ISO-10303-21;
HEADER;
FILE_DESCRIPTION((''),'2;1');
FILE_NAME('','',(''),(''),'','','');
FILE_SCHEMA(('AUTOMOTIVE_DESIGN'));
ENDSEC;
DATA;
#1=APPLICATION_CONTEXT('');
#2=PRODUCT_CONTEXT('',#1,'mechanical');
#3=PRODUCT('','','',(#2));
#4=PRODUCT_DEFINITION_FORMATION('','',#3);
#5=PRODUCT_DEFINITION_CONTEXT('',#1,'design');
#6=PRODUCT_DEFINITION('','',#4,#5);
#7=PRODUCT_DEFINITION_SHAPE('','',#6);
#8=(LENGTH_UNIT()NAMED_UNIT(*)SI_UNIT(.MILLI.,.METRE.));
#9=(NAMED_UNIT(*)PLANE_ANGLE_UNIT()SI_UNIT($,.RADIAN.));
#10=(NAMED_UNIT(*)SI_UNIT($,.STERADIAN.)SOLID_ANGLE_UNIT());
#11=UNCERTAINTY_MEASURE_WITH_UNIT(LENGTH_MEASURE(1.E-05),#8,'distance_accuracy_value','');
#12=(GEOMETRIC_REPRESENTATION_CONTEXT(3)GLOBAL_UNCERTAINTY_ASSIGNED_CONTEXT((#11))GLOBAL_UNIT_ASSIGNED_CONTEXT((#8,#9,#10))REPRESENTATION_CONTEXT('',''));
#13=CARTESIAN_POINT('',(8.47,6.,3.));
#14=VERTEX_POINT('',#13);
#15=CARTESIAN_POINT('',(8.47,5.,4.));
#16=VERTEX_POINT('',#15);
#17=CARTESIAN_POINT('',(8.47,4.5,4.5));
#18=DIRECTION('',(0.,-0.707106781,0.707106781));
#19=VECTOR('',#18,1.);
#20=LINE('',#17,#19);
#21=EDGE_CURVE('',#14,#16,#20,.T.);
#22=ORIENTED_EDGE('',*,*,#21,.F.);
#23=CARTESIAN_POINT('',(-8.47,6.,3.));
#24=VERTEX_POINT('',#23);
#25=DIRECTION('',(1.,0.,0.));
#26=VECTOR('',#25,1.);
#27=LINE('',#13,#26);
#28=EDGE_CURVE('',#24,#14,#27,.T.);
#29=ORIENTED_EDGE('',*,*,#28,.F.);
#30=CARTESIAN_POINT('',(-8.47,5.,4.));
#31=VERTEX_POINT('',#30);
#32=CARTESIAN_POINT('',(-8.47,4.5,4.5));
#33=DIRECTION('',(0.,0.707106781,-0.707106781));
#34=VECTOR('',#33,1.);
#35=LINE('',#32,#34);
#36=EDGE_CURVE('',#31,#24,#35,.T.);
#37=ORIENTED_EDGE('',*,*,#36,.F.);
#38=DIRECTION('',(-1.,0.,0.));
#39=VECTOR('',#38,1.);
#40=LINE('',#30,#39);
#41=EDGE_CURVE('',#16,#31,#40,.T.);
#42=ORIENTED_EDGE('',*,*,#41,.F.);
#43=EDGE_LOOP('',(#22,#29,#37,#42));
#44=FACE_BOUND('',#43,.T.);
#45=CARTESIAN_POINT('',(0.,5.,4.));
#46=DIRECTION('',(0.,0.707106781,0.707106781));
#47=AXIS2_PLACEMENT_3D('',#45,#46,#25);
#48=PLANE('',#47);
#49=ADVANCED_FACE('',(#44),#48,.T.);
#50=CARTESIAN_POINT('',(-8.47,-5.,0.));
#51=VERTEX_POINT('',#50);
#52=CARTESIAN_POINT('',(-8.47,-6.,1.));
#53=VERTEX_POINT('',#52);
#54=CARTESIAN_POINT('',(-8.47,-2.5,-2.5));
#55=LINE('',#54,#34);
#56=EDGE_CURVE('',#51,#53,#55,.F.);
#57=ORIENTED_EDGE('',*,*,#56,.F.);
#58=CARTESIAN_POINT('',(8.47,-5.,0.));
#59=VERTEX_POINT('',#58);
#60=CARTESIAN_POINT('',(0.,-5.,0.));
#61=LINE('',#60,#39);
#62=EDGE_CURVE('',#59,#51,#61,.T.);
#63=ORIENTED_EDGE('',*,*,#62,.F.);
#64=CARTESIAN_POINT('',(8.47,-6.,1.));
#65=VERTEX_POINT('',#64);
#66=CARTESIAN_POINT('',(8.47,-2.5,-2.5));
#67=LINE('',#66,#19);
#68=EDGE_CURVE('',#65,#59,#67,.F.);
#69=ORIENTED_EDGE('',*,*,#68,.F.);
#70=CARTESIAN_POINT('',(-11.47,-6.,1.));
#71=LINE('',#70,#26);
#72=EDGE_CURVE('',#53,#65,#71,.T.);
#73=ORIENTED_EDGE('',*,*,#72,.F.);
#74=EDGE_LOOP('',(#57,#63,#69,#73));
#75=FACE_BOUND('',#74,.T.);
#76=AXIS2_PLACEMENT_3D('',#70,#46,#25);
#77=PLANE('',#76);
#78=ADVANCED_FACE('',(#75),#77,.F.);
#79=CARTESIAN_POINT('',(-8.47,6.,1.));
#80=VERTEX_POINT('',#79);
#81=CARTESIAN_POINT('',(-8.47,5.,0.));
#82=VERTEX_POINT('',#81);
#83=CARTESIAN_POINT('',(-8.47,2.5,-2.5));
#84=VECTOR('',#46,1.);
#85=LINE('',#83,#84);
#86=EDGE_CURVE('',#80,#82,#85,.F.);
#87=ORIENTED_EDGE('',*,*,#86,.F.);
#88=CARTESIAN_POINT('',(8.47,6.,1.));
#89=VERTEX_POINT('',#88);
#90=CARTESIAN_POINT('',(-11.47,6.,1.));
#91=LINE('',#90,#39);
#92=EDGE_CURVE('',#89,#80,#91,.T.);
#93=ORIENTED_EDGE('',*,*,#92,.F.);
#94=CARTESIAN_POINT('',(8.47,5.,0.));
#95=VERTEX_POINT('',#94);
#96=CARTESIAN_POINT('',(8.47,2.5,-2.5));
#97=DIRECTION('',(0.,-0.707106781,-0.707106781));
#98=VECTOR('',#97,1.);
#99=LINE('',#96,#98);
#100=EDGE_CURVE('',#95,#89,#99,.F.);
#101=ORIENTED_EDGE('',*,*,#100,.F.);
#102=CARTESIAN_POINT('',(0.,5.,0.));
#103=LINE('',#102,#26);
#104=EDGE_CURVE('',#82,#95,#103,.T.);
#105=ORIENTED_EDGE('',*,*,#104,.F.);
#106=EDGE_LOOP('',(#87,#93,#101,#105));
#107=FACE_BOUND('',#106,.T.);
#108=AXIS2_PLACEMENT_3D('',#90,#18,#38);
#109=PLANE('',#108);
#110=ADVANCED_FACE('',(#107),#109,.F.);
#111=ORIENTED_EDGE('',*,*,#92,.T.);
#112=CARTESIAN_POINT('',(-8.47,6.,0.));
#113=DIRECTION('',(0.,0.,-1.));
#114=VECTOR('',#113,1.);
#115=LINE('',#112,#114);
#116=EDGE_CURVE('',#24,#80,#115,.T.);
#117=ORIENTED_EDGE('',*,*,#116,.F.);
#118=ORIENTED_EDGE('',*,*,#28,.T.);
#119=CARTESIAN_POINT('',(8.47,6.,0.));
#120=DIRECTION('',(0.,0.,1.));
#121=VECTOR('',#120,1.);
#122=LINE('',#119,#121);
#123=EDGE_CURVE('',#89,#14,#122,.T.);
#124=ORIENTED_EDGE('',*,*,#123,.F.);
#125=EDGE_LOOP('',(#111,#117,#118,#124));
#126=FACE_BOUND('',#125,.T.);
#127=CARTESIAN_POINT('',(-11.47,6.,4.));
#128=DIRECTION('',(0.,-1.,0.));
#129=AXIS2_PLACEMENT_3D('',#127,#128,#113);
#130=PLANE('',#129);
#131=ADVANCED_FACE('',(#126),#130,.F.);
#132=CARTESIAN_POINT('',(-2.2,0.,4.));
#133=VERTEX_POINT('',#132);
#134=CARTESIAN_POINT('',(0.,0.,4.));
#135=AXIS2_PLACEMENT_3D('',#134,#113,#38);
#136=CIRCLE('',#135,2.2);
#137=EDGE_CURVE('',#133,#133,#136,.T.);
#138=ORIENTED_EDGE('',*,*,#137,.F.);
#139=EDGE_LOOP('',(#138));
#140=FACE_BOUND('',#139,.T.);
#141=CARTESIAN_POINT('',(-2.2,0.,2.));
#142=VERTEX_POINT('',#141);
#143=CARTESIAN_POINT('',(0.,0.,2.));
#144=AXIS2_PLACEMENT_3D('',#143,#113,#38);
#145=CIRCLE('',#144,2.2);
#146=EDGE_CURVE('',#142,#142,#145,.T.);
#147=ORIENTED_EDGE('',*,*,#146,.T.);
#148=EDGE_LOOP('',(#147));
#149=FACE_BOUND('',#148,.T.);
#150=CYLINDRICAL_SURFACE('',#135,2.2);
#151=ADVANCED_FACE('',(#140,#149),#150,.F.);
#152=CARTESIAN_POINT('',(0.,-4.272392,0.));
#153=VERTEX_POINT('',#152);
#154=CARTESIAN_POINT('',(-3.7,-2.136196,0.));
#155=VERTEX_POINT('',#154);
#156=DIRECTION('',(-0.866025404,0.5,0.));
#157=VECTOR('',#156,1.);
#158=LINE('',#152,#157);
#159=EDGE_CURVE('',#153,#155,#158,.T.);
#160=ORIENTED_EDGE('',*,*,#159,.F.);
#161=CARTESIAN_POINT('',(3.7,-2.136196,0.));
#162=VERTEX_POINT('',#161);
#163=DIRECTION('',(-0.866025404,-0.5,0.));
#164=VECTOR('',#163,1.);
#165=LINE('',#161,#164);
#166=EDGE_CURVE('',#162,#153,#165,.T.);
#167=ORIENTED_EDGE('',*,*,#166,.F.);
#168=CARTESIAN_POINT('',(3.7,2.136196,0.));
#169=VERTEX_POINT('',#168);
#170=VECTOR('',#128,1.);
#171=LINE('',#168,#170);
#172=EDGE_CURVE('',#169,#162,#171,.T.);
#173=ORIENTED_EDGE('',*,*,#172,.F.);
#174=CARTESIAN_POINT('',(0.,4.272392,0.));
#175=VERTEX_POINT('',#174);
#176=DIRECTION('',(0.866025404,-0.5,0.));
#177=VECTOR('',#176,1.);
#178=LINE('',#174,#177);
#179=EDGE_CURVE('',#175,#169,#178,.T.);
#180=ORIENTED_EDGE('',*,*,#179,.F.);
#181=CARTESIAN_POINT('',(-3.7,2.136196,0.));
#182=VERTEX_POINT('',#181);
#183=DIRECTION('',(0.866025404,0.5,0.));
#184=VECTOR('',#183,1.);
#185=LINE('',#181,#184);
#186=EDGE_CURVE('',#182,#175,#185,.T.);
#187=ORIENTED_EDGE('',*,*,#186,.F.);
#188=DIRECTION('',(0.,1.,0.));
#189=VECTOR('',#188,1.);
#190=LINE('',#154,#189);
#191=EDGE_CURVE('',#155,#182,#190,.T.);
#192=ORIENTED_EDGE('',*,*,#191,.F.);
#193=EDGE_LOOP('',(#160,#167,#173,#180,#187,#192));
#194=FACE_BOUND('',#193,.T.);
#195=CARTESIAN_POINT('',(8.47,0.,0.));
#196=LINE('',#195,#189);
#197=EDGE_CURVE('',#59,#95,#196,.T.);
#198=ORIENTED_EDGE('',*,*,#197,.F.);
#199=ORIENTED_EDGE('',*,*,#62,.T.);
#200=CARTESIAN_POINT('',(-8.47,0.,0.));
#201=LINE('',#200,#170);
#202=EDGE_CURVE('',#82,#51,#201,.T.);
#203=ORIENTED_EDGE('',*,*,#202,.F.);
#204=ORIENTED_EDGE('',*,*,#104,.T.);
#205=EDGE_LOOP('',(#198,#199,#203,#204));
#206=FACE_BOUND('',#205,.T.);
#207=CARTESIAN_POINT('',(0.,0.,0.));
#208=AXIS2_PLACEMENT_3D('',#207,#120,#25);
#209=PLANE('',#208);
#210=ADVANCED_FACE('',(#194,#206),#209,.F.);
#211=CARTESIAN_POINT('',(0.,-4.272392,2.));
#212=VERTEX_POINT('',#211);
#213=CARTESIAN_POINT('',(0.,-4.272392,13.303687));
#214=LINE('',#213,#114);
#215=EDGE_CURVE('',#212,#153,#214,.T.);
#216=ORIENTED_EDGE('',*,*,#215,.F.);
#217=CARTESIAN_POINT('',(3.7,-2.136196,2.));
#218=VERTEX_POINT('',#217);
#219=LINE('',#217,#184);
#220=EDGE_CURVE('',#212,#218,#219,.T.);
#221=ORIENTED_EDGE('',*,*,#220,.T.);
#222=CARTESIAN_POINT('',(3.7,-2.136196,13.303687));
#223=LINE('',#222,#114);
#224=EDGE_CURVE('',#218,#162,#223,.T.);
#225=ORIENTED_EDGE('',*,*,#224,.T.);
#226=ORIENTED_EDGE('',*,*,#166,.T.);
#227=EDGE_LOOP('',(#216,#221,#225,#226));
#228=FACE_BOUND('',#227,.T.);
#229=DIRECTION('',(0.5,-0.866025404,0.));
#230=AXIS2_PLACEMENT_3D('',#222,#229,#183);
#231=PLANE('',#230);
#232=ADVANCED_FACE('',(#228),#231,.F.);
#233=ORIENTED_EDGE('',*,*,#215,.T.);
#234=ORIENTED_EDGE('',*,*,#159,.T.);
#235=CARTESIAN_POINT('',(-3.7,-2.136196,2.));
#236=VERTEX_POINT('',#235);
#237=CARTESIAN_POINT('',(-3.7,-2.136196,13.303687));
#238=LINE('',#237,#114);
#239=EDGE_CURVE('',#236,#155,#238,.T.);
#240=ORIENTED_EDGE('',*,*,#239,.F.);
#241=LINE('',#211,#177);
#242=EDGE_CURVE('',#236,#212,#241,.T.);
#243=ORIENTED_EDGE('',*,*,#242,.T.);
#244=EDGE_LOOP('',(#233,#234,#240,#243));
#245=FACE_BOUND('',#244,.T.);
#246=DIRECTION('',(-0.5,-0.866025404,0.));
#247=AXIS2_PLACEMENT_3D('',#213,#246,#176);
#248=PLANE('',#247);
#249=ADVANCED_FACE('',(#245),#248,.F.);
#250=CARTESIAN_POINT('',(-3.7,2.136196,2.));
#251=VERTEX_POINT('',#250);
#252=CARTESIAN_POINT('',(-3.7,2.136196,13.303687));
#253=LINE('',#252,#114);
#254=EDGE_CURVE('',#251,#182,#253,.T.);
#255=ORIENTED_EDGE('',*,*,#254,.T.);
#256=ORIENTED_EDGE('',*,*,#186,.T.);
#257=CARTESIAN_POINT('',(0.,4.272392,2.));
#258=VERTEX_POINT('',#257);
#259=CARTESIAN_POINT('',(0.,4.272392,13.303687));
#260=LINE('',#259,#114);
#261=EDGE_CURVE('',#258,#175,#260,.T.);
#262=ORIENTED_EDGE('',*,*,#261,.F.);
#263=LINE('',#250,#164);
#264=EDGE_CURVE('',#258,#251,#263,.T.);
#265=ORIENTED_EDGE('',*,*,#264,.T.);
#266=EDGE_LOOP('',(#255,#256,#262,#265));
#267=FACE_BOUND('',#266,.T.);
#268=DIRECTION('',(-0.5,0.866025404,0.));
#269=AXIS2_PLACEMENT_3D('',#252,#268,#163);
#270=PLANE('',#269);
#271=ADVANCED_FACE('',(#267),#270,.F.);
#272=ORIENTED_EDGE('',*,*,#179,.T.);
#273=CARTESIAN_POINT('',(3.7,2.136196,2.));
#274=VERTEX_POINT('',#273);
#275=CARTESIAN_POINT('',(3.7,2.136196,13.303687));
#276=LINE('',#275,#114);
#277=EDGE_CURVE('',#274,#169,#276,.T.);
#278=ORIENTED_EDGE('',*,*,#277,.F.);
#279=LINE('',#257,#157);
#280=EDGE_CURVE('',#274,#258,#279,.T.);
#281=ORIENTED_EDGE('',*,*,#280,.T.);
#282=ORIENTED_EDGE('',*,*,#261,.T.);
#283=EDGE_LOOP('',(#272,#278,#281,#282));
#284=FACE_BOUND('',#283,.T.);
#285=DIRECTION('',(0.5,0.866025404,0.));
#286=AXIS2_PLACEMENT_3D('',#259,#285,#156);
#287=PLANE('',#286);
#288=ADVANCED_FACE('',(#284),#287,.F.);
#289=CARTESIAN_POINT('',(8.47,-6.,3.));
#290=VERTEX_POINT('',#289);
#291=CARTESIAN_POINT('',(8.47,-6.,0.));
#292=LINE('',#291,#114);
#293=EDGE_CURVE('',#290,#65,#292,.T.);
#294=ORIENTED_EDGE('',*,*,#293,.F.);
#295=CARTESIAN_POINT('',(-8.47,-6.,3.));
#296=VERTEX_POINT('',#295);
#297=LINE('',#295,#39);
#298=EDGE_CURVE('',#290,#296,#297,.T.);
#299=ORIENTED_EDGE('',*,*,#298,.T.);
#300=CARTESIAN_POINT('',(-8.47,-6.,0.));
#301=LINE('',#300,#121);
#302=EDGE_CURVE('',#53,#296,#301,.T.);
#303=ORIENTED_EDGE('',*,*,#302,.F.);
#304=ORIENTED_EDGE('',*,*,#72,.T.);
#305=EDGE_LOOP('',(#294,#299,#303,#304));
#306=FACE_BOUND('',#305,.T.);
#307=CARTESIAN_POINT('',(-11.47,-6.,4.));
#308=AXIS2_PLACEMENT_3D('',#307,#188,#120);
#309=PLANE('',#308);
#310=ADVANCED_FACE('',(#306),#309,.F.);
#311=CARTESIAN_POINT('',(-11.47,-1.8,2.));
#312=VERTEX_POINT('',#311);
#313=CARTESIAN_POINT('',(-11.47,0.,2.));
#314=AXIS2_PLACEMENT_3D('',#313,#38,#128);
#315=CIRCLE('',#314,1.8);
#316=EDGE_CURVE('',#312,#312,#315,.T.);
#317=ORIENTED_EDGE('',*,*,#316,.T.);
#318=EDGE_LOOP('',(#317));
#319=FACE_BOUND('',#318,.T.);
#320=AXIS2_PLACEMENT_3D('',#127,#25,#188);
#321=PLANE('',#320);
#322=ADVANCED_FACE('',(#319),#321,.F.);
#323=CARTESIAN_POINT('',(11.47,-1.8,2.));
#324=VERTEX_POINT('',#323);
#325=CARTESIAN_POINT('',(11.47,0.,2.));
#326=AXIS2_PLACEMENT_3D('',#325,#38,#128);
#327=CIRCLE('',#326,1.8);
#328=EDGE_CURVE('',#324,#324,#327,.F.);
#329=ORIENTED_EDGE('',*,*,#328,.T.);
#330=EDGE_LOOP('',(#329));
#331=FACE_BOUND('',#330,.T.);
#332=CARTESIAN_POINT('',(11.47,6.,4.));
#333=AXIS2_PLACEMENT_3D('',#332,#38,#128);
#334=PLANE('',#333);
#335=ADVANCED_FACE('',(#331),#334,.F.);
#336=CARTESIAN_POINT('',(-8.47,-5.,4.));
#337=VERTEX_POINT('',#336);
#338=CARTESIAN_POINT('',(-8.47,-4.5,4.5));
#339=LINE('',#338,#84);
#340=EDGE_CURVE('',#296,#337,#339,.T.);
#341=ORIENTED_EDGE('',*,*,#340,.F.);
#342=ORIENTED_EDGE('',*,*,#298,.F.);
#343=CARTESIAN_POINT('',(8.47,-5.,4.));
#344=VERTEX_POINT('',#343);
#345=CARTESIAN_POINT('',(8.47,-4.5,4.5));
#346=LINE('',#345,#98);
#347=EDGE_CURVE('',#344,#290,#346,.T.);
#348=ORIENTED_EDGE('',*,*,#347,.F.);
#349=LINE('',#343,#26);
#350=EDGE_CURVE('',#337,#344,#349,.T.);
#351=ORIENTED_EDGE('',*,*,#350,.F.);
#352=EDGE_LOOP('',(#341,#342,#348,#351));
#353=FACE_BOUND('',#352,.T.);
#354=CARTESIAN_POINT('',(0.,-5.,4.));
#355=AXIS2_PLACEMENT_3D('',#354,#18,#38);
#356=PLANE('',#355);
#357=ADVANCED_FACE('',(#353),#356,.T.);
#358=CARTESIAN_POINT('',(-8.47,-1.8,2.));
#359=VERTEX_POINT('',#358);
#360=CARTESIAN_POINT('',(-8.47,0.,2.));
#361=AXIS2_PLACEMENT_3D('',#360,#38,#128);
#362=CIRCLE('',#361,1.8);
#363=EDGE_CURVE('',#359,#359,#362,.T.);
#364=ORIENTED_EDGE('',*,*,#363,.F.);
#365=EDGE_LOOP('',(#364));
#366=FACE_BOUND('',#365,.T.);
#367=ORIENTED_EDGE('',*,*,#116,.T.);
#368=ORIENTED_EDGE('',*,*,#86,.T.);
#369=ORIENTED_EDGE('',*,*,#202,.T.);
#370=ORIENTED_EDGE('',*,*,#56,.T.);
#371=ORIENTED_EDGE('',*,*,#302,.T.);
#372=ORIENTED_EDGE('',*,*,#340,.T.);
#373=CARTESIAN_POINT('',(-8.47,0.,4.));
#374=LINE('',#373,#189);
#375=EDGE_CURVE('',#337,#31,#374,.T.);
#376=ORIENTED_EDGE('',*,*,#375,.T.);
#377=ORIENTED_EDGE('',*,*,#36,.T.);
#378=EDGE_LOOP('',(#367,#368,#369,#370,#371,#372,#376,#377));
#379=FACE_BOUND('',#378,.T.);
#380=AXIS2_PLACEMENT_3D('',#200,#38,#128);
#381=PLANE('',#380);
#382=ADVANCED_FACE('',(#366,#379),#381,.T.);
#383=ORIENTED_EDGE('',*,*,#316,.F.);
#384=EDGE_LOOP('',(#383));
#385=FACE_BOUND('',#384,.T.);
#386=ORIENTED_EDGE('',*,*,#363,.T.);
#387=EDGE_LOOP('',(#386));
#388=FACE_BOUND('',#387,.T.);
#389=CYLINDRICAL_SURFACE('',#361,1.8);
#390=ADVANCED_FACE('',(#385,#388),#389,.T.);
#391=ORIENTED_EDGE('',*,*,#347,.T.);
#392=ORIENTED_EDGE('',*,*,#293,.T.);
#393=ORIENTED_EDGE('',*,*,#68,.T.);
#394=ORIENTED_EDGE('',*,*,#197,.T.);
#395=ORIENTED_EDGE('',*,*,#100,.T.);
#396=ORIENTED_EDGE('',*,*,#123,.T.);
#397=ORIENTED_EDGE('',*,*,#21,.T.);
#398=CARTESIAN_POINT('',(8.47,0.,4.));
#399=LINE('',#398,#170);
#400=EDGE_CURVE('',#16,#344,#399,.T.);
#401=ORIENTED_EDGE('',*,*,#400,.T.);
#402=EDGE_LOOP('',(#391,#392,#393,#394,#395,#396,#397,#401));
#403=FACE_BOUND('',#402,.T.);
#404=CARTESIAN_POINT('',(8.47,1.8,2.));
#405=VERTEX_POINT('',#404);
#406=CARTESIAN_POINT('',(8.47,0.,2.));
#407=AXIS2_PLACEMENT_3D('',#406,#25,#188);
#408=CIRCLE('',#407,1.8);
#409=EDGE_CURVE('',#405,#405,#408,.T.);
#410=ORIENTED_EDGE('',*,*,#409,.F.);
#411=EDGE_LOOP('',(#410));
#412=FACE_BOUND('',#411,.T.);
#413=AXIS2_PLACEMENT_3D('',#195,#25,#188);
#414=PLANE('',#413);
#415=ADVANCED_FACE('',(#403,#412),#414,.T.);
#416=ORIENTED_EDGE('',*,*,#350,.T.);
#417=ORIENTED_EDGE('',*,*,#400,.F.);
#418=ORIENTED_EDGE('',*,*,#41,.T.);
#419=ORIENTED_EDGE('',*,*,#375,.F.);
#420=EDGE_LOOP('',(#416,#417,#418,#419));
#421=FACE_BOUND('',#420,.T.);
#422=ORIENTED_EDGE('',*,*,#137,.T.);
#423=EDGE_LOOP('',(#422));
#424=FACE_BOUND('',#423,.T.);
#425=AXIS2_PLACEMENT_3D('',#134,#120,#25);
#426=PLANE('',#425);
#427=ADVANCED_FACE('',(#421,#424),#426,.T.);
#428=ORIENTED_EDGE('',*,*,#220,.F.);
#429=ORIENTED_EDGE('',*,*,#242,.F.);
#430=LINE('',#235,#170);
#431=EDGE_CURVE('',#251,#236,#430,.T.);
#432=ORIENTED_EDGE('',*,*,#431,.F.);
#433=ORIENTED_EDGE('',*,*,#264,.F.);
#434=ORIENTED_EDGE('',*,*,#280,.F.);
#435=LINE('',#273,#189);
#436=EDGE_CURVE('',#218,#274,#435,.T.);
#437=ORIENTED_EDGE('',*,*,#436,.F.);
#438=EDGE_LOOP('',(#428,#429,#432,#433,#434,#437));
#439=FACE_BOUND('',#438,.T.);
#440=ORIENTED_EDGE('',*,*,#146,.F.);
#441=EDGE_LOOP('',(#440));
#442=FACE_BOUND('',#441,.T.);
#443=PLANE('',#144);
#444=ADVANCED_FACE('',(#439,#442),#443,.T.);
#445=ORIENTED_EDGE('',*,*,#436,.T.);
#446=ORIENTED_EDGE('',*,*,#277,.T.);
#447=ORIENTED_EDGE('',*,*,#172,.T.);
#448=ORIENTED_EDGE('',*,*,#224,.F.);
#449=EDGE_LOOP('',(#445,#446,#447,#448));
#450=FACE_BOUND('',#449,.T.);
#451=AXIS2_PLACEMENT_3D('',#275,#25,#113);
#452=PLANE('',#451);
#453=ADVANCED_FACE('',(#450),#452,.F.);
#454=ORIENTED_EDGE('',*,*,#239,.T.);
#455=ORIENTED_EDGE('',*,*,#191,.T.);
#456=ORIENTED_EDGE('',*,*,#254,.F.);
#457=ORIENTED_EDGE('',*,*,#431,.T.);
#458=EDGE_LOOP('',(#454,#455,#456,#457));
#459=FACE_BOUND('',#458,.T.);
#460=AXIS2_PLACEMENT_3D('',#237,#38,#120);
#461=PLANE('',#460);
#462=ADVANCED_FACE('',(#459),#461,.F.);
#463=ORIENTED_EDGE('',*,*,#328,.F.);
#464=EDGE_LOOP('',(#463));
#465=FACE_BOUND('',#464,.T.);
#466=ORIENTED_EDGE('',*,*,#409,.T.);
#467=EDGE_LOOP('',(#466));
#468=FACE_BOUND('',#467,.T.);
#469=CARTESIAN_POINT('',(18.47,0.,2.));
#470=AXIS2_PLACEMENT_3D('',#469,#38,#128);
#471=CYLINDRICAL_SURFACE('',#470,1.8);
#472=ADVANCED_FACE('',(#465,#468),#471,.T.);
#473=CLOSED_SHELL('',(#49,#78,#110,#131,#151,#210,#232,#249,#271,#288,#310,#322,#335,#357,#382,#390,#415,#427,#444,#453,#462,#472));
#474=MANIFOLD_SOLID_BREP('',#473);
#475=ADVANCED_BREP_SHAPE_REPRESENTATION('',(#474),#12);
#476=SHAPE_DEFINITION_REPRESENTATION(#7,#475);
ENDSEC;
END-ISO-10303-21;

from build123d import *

# Parameters (mm, degrees)
SKETCH_1_W          = 22.94
SKETCH_1_H          = 12
EXTRUDE_1_DEPTH     = 4
CUT_EXTRUDE_1_DEPTH = 3
CUT_EXTRUDE_START   = -3
CUT_EXTRUDE_2_DEPTH = 3
CUT_EXTRUDE_4_DEPTH = 2
SKETCH_6_R          = 2
CUT_EXTRUDE_5_DEPTH = 14.548464858
CHAMFER_1_SIZE      = 1
CHAMFER_2_SIZE      = 1
CUT_EXTRUDE_START_2 = 10
SKETCH_7_R          = 2
SKETCH_7_R_2        = 1.8
CUT_EXTRUDE_6_DEPTH = 10
SKETCH_8_R          = 2
SKETCH_8_R_2        = 1.8
CUT_EXTRUDE_7_DEPTH = 3
SKETCH_9_R          = 2.2
CUT_EXTRUDE_8_DEPTH = 14.548464858
CUT_EXTRUDE_9_DEPTH = 2


with BuildPart() as part:
    # Эскиз1 → Бобышка-Вытянуть1 (new body)
    with BuildSketch(Plane.XY):
        Rectangle(SKETCH_1_W, SKETCH_1_H)
    extrude(amount=EXTRUDE_1_DEPTH)

    # Эскиз3 → Вырез-Вытянуть1 (cut)
    with BuildSketch(Plane(origin=(11.47, 0, 0), x_dir=(0, 0, -1), z_dir=(1, 0, 0))):
        with BuildLine():
            ThreePointArc((-4, 0), (-2, 2), (0, 0))
            Line((0, 0), (0, 6))
            Line((0, 6), (-4, 6))
            Line((-4, 6), (-4, 0))
        make_face()
        with BuildLine():
            Line((-4, -6), (0, -6))
            Line((0, -6), (0, 0))
            ThreePointArc((0, 0), (-2, -2), (-4, 0))
            Line((-4, 0), (-4, -6))
        make_face()
    extrude(amount=-CUT_EXTRUDE_1_DEPTH, mode=Mode.SUBTRACT)

    # Эскиз4 → Вырез-Вытянуть2 (cut)
    with BuildSketch(Plane.ZY.offset(11.47).offset(CUT_EXTRUDE_START)):
        with BuildLine():
            Line((4, 6), (0, 6))
            Line((0, 6), (0, 0))
            ThreePointArc((0, 0), (2, 2), (4, 0))
            Line((4, 0), (4, 6))
        make_face()
        with BuildLine():
            ThreePointArc((4, 0), (2, -2), (0, 0))
            Line((0, 0), (0, -6))
            Line((0, -6), (4, -6))
            Line((4, -6), (4, 0))
        make_face()
    extrude(amount=CUT_EXTRUDE_2_DEPTH, mode=Mode.SUBTRACT)

    # Эскиз5 → Вырез-Вытянуть4 (cut)
    with BuildSketch(Plane(origin=(0, 0, 0), x_dir=(-1, 0, 0), z_dir=(0, 0, -1))):
        Polygon((0, -4.041451884), (3.5, -2.020725942), (3.5, 2.020725942), (0, 4.041451884), (-3.5, 2.020725942), (-3.5, -2.020725942), align=None)
    extrude(amount=-CUT_EXTRUDE_4_DEPTH, mode=Mode.SUBTRACT)

    # Эскиз6 → Вырез-Вытянуть5 (cut, through all)
    with BuildSketch(Plane(origin=(0, 0, 0), x_dir=(-1, 0, 0), z_dir=(0, 0, -1))):
        Circle(SKETCH_6_R)
    extrude(amount=-CUT_EXTRUDE_5_DEPTH, mode=Mode.SUBTRACT)

    # Фаска1
    chamfer_1_edges = [part.edges().sort_by_distance(p)[0] for p in [
        (0, 6, 0),
    ]]
    chamfer(chamfer_1_edges, length=CHAMFER_1_SIZE)

    # Фаска2
    chamfer_2_edges = [part.edges().sort_by_distance(p)[0] for p in [
        (0, 6, 4),
        (0, -6, 4),
        (0, -6, 0),
    ]]
    chamfer(chamfer_2_edges, length=CHAMFER_2_SIZE)

    # Эскиз7 → Вырез-Вытянуть6 (cut)
    with BuildSketch(Plane(origin=(8.47, 0, 0), x_dir=(0, 0, -1), z_dir=(1, 0, 0)).offset(CUT_EXTRUDE_START_2)):
        with Locations(Location((-2, 0, 0), (0, 0, 270))):
            Circle(SKETCH_7_R)
        with Locations(Location((-2, 0, 0), (0, 0, 270))):
            Circle(SKETCH_7_R_2, mode=Mode.SUBTRACT)
    extrude(amount=-CUT_EXTRUDE_6_DEPTH, mode=Mode.SUBTRACT)

    # Эскиз8 → Вырез-Вытянуть7 (cut)
    with BuildSketch(Plane.ZY.offset(11.47).offset(CUT_EXTRUDE_START)):
        with Locations((2, 0)):
            Circle(SKETCH_8_R)
        with Locations(Location((2, 0, 0), (0, 0, 270))):
            Circle(SKETCH_8_R_2, mode=Mode.SUBTRACT)
    extrude(amount=CUT_EXTRUDE_7_DEPTH, mode=Mode.SUBTRACT)

    # Эскиз9 → Вырез-Вытянуть8 (cut, through all)
    with BuildSketch(Plane(origin=(0, 0, 0), x_dir=(-1, 0, 0), z_dir=(0, 0, -1))):
        Circle(SKETCH_9_R)
    extrude(amount=-CUT_EXTRUDE_8_DEPTH, mode=Mode.SUBTRACT)

    # Эскиз10 → Вырез-Вытянуть9 (cut)
    with BuildSketch(Plane(origin=(0, 0, 0), x_dir=(-1, 0, 0), z_dir=(0, 0, -1))):
        Polygon((0, -4.272391992), (3.7, -2.136195996), (3.7, 2.136195996), (0, 4.272391992), (-3.7, 2.136195996), (-3.7, -2.136195996), align=None)
    extrude(amount=-CUT_EXTRUDE_9_DEPTH, mode=Mode.SUBTRACT)


solid = part.part
